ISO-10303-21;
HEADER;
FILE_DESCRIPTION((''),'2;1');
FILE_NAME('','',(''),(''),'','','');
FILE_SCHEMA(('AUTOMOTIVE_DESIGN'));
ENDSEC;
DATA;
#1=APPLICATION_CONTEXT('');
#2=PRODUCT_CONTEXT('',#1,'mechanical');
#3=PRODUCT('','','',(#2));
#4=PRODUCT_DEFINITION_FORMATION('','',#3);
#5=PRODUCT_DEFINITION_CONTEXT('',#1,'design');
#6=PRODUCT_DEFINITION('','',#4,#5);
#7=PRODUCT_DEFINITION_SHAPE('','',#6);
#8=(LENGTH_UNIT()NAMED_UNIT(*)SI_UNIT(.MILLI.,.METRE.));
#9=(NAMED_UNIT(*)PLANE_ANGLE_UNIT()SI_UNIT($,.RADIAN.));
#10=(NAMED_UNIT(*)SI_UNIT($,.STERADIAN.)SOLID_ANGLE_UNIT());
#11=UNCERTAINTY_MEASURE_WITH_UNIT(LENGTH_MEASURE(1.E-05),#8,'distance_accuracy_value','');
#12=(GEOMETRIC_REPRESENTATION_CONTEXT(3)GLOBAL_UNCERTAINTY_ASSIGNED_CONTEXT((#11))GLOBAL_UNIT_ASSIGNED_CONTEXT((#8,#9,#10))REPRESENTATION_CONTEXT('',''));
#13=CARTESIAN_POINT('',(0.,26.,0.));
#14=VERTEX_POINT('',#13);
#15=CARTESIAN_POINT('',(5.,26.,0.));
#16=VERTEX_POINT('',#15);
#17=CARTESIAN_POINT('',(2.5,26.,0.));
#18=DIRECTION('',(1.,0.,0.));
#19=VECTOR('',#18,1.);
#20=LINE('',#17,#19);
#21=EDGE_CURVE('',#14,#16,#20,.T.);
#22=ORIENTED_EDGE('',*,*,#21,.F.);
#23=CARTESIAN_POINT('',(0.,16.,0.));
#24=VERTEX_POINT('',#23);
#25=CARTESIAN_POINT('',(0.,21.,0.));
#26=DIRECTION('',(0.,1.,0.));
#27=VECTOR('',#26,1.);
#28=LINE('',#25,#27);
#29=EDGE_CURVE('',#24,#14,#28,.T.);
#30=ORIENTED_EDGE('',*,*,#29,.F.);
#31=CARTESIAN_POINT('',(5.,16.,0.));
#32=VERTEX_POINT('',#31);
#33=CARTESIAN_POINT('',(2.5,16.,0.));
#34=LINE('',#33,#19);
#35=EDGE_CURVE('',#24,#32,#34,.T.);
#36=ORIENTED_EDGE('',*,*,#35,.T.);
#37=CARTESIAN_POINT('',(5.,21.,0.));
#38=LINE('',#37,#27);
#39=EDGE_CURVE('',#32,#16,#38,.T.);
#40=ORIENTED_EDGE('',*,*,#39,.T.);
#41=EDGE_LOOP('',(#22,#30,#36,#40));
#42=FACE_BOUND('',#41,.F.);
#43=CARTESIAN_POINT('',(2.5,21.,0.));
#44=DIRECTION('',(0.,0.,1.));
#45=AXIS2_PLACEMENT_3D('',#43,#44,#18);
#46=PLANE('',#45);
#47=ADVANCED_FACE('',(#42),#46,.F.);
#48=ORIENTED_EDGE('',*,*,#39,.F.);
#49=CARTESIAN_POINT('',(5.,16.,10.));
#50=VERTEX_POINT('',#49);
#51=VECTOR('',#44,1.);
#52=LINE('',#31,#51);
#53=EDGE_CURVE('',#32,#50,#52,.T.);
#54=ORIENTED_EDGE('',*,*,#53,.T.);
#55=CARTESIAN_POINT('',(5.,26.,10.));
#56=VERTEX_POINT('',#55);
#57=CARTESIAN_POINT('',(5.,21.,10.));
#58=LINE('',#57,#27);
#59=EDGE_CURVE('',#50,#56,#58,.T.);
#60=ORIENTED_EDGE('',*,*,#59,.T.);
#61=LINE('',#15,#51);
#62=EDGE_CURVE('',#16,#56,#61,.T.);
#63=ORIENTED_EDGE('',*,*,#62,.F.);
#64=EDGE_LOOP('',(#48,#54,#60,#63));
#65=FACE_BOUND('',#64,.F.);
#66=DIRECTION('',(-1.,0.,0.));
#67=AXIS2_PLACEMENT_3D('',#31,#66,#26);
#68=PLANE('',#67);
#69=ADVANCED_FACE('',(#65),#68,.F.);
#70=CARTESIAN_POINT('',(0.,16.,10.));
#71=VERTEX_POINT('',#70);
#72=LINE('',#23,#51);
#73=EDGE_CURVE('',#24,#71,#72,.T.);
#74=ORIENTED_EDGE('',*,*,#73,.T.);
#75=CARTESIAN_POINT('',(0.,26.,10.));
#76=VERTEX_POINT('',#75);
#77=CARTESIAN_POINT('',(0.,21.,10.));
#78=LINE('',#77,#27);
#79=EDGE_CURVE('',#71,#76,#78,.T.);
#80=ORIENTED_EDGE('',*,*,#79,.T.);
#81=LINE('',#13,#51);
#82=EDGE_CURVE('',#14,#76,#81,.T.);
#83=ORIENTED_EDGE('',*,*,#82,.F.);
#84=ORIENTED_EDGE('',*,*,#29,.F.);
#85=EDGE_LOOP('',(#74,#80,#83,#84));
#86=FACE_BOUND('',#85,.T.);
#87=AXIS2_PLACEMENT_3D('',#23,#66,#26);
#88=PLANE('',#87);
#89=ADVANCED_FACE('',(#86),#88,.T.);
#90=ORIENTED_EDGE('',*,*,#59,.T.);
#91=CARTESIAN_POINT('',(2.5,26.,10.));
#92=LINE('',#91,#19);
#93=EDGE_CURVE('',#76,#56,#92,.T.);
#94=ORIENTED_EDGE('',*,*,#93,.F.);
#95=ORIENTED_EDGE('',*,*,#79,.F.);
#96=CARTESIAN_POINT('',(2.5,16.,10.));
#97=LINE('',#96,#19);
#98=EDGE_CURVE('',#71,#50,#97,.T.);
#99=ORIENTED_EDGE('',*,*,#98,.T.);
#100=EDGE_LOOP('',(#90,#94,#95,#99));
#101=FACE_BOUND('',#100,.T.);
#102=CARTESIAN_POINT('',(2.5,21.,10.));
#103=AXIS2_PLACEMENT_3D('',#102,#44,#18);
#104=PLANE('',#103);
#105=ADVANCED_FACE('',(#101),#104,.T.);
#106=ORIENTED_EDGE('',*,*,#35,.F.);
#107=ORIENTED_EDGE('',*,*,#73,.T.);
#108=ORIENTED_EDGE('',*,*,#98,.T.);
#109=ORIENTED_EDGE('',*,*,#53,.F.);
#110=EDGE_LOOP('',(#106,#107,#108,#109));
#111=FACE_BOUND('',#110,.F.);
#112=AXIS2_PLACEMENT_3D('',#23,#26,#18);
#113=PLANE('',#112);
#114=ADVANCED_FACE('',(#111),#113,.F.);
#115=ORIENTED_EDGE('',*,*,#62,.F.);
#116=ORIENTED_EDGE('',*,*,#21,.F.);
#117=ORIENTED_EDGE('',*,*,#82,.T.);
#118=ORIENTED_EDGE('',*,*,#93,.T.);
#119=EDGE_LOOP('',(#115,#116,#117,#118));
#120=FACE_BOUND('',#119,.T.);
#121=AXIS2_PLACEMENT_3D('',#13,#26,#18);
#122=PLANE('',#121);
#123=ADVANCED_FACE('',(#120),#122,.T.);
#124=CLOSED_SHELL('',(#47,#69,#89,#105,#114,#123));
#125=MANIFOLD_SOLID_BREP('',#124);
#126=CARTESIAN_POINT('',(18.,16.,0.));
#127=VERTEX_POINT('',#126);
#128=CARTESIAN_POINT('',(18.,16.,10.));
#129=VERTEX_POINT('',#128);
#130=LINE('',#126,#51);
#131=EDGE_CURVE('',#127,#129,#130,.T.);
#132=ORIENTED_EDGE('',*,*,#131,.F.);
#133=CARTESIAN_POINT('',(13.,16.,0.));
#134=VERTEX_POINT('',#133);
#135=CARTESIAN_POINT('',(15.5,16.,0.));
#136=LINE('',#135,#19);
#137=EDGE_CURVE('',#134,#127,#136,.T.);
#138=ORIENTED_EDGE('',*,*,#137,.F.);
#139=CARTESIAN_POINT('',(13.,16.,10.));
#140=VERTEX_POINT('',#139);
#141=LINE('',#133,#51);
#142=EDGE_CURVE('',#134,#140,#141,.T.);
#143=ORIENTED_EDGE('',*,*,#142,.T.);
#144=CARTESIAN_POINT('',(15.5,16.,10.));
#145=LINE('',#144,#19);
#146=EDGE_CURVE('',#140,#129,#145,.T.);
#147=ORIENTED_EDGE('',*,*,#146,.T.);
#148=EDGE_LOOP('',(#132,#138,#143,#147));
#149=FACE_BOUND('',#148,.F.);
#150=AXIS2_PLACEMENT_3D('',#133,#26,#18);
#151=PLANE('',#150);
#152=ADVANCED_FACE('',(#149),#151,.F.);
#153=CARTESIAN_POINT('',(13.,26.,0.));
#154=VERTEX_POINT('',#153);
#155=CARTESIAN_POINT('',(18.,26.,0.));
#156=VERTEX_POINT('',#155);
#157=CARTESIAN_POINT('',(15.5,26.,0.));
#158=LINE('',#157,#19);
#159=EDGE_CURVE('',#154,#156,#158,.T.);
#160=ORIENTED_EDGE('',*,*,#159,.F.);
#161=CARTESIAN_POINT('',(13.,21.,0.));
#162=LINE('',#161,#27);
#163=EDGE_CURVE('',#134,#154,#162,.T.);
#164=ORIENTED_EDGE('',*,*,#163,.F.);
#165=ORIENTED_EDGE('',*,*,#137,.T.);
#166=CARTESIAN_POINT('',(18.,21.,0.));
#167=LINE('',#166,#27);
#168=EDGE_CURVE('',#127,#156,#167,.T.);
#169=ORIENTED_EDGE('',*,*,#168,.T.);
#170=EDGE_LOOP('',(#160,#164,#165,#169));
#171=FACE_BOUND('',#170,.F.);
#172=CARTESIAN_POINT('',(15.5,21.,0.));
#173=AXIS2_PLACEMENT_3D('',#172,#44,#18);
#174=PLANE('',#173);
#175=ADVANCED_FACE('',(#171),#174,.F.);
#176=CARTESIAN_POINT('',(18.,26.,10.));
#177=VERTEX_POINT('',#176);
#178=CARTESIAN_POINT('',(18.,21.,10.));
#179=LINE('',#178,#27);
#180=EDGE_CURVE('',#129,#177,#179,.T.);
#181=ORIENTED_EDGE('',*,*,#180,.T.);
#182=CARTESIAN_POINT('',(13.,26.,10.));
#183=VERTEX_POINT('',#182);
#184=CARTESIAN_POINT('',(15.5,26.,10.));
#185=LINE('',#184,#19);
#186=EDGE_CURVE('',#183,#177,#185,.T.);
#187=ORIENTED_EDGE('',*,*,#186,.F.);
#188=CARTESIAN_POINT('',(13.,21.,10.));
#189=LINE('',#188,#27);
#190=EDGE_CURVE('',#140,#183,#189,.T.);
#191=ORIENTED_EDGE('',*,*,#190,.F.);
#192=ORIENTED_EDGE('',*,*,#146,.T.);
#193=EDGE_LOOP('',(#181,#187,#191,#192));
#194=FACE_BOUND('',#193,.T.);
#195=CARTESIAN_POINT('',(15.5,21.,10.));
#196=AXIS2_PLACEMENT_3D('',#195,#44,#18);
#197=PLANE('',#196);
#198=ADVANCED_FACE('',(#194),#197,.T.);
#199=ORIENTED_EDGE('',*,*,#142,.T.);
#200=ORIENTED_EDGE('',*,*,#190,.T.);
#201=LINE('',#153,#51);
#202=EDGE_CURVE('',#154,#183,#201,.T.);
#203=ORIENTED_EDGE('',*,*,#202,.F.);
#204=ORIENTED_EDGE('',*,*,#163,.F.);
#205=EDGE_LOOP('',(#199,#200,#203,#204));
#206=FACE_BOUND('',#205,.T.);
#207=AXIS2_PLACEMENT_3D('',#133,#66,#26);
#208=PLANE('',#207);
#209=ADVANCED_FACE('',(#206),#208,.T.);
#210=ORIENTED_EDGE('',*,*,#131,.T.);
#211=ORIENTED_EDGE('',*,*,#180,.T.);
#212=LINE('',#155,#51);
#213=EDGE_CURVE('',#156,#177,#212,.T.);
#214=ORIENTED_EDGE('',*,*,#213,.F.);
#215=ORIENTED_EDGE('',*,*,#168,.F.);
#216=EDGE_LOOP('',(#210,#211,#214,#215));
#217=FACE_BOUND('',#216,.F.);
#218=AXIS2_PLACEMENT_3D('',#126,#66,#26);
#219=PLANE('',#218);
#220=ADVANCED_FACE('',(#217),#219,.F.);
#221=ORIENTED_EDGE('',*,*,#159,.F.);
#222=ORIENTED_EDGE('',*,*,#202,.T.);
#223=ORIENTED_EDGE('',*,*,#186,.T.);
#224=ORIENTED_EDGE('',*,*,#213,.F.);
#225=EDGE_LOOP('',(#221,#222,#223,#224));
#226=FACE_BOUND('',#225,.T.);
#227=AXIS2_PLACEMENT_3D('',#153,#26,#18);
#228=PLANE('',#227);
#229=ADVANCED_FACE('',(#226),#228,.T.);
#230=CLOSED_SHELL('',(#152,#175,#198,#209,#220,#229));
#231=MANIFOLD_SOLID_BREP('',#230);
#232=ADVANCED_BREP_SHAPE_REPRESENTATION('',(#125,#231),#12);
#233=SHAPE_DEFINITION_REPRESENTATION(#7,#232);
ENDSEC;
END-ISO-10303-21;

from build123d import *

# Parameters (mm, degrees)
BOX015_W     = 5
BOX015_H     = 10
BOX015_DEPTH = 10
BOX014_W     = 5
BOX014_H     = 10
BOX014_DEPTH = 10


with BuildPart() as cube015:
    # Box015 → Box015 (new body)
    with BuildSketch(Plane(origin=(13, 16, 0), x_dir=(1, 0, 0), z_dir=(0, 0, 1))):
        with Locations((2.5, 5)):
            Rectangle(BOX015_W, BOX015_H)
    extrude(amount=BOX015_DEPTH)


with BuildPart() as fusion009:
    # Box014 → Box014 (new body)
    with BuildSketch(Plane(origin=(0, 16, 0), x_dir=(1, 0, 0), z_dir=(0, 0, 1))):
        with Locations((2.5, 5)):
            Rectangle(BOX014_W, BOX014_H)
    extrude(amount=BOX014_DEPTH)

    # Fusion009: union Cube015
    add(cube015.part)


solid = fusion009.part
